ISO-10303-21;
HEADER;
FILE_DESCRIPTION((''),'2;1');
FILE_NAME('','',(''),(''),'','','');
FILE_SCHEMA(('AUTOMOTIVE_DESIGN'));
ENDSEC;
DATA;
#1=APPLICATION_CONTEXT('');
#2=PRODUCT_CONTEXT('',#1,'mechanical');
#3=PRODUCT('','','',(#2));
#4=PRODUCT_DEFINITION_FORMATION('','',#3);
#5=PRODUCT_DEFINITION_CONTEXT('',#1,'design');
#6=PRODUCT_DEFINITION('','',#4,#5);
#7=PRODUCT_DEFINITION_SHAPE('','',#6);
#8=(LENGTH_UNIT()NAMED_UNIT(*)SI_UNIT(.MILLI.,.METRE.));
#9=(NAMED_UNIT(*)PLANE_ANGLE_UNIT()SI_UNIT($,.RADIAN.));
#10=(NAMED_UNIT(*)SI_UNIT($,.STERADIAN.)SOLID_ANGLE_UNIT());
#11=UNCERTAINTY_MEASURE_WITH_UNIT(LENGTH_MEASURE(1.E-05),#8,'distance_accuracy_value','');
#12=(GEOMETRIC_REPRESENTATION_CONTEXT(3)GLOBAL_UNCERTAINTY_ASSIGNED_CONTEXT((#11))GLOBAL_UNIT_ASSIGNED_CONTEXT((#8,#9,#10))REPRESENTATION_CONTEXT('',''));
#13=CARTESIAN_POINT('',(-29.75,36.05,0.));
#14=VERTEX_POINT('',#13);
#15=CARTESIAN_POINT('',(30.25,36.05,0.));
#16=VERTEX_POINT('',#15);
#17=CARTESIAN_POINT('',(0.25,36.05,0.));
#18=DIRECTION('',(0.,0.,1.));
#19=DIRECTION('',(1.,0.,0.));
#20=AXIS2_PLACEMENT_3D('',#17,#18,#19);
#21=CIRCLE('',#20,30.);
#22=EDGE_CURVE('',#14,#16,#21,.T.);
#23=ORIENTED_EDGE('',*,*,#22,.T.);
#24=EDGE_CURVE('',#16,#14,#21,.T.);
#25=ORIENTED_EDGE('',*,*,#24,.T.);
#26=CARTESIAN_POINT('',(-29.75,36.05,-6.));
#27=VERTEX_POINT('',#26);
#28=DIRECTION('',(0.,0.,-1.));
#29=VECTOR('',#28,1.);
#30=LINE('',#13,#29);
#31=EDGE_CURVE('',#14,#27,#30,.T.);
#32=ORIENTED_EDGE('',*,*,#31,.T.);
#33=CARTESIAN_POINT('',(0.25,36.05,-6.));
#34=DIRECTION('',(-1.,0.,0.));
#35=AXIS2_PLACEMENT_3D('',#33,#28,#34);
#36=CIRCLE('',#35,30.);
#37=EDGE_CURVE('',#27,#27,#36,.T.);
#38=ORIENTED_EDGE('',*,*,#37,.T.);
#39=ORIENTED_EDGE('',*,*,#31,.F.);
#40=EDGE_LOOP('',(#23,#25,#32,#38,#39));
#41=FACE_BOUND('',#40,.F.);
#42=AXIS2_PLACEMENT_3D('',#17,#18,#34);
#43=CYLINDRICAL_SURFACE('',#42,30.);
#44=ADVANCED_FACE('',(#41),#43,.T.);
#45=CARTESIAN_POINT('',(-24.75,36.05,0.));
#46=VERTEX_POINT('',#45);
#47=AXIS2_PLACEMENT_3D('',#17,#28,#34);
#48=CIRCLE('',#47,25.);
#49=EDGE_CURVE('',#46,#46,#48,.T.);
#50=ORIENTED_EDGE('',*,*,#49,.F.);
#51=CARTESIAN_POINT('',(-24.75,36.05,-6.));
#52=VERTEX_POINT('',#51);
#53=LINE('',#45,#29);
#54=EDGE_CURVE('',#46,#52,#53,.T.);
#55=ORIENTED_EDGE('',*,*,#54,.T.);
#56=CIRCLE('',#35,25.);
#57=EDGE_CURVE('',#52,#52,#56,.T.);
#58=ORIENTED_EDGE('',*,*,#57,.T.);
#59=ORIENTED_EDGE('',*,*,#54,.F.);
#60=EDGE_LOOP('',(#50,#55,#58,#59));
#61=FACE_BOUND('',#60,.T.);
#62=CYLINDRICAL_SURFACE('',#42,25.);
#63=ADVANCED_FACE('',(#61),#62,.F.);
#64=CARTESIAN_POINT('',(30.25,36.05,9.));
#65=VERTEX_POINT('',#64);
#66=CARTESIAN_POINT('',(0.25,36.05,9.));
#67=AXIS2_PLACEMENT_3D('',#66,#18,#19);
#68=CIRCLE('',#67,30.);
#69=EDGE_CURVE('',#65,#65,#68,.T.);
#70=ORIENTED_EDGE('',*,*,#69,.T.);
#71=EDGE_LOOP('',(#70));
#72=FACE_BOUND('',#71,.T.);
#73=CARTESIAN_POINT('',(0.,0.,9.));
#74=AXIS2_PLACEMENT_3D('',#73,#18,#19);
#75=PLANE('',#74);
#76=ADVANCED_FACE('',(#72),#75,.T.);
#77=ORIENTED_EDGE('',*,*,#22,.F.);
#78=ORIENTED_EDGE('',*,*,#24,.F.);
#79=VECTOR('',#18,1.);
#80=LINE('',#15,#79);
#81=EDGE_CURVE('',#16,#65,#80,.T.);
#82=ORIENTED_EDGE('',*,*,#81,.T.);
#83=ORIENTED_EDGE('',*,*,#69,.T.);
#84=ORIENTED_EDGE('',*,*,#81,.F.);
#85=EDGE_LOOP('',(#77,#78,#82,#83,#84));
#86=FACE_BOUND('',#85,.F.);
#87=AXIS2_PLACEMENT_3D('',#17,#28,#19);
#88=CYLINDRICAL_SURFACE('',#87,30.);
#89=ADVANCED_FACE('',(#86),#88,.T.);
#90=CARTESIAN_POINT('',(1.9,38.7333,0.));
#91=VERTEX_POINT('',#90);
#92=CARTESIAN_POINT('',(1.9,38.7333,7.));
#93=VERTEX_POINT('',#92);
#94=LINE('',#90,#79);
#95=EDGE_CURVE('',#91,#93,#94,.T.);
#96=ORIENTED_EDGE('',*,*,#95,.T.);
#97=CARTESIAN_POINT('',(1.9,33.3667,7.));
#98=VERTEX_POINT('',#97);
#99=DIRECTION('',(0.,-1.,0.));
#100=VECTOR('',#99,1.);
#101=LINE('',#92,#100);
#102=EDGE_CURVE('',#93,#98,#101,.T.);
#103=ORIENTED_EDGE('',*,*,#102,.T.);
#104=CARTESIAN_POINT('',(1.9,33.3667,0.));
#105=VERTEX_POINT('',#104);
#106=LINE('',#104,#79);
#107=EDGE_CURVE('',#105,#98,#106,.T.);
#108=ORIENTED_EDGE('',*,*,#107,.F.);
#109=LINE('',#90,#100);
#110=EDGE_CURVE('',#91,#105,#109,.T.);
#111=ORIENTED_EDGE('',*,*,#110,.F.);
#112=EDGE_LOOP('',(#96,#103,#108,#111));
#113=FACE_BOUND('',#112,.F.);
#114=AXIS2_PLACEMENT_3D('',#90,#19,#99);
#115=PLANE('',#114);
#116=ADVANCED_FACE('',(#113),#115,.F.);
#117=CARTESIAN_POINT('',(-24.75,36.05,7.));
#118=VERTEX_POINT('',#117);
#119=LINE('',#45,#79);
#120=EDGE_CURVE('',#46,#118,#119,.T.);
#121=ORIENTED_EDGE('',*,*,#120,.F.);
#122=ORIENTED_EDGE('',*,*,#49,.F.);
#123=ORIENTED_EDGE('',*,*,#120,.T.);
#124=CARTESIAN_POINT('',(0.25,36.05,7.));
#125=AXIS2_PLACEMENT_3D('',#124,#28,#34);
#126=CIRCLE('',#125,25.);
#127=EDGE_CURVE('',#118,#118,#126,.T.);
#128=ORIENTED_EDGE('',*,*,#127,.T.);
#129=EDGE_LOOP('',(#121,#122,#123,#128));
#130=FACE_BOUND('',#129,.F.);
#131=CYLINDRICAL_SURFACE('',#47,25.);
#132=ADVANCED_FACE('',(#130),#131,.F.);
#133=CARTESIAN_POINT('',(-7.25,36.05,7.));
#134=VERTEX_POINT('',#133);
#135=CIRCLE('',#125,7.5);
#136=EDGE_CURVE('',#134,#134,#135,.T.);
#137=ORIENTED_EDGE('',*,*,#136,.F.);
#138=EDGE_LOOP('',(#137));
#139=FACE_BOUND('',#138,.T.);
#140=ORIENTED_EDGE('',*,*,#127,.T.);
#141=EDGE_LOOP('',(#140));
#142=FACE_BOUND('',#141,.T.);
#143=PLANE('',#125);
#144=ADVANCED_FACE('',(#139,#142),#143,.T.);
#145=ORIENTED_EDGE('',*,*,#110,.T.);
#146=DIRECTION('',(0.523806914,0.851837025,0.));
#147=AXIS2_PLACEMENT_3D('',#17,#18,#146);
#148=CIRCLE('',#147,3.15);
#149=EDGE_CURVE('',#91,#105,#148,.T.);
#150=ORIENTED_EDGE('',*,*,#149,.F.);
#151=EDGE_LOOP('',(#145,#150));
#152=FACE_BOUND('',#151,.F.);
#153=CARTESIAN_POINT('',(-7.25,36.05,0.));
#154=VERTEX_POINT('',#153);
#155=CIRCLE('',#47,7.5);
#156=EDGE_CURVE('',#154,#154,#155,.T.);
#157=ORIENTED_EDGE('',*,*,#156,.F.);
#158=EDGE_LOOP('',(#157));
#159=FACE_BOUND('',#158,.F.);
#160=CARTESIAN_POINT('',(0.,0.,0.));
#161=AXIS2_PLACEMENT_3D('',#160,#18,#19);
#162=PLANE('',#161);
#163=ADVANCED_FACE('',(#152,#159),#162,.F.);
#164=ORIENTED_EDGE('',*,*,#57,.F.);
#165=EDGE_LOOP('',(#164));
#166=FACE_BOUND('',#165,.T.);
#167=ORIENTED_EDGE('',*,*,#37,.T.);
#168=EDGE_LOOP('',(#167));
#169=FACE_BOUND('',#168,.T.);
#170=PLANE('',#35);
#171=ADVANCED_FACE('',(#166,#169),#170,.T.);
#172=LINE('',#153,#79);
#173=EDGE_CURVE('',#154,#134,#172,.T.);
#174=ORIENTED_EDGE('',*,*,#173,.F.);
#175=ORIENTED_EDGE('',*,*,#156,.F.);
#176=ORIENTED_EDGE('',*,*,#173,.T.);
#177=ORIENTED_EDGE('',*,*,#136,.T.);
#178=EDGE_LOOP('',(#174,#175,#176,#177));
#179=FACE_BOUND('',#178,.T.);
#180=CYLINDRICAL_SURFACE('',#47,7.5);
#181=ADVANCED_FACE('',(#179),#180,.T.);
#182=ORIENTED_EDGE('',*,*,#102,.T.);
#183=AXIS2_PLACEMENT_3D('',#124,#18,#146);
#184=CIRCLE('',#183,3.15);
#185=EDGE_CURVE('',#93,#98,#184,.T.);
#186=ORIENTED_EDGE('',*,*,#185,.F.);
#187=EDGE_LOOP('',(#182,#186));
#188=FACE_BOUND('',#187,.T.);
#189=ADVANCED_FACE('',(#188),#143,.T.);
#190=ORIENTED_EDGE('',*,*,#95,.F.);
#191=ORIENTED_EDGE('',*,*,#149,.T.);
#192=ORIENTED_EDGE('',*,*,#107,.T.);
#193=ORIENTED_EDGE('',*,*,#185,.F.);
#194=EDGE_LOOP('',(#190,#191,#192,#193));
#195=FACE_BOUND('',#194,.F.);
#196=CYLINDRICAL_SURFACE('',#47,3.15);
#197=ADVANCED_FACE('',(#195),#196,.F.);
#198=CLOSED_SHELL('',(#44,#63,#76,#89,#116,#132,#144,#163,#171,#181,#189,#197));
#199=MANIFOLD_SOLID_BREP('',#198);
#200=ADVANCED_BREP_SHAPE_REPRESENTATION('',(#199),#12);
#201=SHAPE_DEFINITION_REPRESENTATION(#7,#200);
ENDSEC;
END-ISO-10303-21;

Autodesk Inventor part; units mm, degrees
ref_plane "YZ Plane" through (0, 0, 0) normal (1, 0, 0) x (0, 1, 0)
ref_plane "XZ Plane" through (0, 0, 0) normal (0, 1, 0) x (-1, 0, 0)
ref_plane "XY Plane" through (0, 0, 0) normal (0, 0, 1) x (1, 0, 0)
sketch "Sketch1" plane through (0, 0, 0) normal (0, 0, 1) x (1, 0, 0)
  circle A0 centre (0.25, 36.05) radius 30
  line L0 (-21, -56.05) -> (-21, -1.05) projected
  line L1 (-21, -1.05) -> (21.5, -1.05) projected
  line L2 (21.5, -1.05) -> (21.5, -56.05) projected
  line L3 (21.5, -56.05) -> (-21, -56.05) projected
  arc A1 (-41, -66.05) -> (-36, -71.05) centre (-36, -66.05) ccw projected
  line L4 (-36, -71.05) -> (36, -71.05) projected
  arc A2 (36, -71.05) -> (41, -66.05) centre (36, -66.05) ccw projected
  line L5 (41, -66.05) -> (41, 71.05) projected
  line L6 (41, 71.05) -> (-41, 71.05) projected
  line L7 (-41, 71.05) -> (-41, -66.05) projected
  circle A3 centre (-36, 66.05) radius 3.25 projected
  circle A4 centre (-36, -66.05) radius 3.25 projected
  circle A5 centre (36, 66.05) radius 3.25 projected
  circle A6 centre (36, -66.05) radius 3.25 projected
  circle A7 centre (0.25, 36.05) radius 3.75 projected
  point P0 (0, 0)
  dimension "d0" = 60
extrude "Extrusion1" add sketch "Sketch1" along normal blind 9 contours A0 | A7
sketch "Sketch2" plane through (0.25, 36.05, 0) normal (0, 0, -1) x (-1, 0, 0)
  circle A0 centre (0, 0) radius 3.15
  line L0 (-1.65, 2.6833) -> (-1.65, -2.6833)
  circle A1 centre (0, 0) radius 30 projected
  point P0 (0.25, -36.05)
  dimension "d5" = 6.3
  dimension "d6" = 4.8
  dimension "d7" = 0
extrude "Extrusion2" cut sketch "Sketch2" against normal blind 7 contours A0 L0 picked at (1.6001, 0.6823)
sketch "Sketch3" plane through (0.25, 36.05, 0) normal (0, 0, -1) x (-1, 0, 0)
  circle A0 centre (0, 0) radius 3.15
  circle A1 centre (0, 0) radius 7.5
  circle A2 centre (0, 0) radius 25
  circle A3 centre (0, 0) radius 30 projected
  point P0 (0.25, -36.05)
  dimension "d10" = 15
  dimension "d11" = 5
  dimension "d12" = 26.85
  dimension "d13" = 6.3
extrude "Extrusion3" cut sketch "Sketch3" against normal blind 7 contours A2
sketch "Sketch4" plane through (0.25, 36.05, 0) normal (0, 0, -1) x (-1, 0, 0)
  circle A0 centre (0, 0) radius 30 projected
  circle A1 centre (0, 0) radius 25 projected
  point P0 (0.25, -36.05)
extrude "Extrusion4" add sketch "Sketch4" along normal blind 6
properties part number "knob"
